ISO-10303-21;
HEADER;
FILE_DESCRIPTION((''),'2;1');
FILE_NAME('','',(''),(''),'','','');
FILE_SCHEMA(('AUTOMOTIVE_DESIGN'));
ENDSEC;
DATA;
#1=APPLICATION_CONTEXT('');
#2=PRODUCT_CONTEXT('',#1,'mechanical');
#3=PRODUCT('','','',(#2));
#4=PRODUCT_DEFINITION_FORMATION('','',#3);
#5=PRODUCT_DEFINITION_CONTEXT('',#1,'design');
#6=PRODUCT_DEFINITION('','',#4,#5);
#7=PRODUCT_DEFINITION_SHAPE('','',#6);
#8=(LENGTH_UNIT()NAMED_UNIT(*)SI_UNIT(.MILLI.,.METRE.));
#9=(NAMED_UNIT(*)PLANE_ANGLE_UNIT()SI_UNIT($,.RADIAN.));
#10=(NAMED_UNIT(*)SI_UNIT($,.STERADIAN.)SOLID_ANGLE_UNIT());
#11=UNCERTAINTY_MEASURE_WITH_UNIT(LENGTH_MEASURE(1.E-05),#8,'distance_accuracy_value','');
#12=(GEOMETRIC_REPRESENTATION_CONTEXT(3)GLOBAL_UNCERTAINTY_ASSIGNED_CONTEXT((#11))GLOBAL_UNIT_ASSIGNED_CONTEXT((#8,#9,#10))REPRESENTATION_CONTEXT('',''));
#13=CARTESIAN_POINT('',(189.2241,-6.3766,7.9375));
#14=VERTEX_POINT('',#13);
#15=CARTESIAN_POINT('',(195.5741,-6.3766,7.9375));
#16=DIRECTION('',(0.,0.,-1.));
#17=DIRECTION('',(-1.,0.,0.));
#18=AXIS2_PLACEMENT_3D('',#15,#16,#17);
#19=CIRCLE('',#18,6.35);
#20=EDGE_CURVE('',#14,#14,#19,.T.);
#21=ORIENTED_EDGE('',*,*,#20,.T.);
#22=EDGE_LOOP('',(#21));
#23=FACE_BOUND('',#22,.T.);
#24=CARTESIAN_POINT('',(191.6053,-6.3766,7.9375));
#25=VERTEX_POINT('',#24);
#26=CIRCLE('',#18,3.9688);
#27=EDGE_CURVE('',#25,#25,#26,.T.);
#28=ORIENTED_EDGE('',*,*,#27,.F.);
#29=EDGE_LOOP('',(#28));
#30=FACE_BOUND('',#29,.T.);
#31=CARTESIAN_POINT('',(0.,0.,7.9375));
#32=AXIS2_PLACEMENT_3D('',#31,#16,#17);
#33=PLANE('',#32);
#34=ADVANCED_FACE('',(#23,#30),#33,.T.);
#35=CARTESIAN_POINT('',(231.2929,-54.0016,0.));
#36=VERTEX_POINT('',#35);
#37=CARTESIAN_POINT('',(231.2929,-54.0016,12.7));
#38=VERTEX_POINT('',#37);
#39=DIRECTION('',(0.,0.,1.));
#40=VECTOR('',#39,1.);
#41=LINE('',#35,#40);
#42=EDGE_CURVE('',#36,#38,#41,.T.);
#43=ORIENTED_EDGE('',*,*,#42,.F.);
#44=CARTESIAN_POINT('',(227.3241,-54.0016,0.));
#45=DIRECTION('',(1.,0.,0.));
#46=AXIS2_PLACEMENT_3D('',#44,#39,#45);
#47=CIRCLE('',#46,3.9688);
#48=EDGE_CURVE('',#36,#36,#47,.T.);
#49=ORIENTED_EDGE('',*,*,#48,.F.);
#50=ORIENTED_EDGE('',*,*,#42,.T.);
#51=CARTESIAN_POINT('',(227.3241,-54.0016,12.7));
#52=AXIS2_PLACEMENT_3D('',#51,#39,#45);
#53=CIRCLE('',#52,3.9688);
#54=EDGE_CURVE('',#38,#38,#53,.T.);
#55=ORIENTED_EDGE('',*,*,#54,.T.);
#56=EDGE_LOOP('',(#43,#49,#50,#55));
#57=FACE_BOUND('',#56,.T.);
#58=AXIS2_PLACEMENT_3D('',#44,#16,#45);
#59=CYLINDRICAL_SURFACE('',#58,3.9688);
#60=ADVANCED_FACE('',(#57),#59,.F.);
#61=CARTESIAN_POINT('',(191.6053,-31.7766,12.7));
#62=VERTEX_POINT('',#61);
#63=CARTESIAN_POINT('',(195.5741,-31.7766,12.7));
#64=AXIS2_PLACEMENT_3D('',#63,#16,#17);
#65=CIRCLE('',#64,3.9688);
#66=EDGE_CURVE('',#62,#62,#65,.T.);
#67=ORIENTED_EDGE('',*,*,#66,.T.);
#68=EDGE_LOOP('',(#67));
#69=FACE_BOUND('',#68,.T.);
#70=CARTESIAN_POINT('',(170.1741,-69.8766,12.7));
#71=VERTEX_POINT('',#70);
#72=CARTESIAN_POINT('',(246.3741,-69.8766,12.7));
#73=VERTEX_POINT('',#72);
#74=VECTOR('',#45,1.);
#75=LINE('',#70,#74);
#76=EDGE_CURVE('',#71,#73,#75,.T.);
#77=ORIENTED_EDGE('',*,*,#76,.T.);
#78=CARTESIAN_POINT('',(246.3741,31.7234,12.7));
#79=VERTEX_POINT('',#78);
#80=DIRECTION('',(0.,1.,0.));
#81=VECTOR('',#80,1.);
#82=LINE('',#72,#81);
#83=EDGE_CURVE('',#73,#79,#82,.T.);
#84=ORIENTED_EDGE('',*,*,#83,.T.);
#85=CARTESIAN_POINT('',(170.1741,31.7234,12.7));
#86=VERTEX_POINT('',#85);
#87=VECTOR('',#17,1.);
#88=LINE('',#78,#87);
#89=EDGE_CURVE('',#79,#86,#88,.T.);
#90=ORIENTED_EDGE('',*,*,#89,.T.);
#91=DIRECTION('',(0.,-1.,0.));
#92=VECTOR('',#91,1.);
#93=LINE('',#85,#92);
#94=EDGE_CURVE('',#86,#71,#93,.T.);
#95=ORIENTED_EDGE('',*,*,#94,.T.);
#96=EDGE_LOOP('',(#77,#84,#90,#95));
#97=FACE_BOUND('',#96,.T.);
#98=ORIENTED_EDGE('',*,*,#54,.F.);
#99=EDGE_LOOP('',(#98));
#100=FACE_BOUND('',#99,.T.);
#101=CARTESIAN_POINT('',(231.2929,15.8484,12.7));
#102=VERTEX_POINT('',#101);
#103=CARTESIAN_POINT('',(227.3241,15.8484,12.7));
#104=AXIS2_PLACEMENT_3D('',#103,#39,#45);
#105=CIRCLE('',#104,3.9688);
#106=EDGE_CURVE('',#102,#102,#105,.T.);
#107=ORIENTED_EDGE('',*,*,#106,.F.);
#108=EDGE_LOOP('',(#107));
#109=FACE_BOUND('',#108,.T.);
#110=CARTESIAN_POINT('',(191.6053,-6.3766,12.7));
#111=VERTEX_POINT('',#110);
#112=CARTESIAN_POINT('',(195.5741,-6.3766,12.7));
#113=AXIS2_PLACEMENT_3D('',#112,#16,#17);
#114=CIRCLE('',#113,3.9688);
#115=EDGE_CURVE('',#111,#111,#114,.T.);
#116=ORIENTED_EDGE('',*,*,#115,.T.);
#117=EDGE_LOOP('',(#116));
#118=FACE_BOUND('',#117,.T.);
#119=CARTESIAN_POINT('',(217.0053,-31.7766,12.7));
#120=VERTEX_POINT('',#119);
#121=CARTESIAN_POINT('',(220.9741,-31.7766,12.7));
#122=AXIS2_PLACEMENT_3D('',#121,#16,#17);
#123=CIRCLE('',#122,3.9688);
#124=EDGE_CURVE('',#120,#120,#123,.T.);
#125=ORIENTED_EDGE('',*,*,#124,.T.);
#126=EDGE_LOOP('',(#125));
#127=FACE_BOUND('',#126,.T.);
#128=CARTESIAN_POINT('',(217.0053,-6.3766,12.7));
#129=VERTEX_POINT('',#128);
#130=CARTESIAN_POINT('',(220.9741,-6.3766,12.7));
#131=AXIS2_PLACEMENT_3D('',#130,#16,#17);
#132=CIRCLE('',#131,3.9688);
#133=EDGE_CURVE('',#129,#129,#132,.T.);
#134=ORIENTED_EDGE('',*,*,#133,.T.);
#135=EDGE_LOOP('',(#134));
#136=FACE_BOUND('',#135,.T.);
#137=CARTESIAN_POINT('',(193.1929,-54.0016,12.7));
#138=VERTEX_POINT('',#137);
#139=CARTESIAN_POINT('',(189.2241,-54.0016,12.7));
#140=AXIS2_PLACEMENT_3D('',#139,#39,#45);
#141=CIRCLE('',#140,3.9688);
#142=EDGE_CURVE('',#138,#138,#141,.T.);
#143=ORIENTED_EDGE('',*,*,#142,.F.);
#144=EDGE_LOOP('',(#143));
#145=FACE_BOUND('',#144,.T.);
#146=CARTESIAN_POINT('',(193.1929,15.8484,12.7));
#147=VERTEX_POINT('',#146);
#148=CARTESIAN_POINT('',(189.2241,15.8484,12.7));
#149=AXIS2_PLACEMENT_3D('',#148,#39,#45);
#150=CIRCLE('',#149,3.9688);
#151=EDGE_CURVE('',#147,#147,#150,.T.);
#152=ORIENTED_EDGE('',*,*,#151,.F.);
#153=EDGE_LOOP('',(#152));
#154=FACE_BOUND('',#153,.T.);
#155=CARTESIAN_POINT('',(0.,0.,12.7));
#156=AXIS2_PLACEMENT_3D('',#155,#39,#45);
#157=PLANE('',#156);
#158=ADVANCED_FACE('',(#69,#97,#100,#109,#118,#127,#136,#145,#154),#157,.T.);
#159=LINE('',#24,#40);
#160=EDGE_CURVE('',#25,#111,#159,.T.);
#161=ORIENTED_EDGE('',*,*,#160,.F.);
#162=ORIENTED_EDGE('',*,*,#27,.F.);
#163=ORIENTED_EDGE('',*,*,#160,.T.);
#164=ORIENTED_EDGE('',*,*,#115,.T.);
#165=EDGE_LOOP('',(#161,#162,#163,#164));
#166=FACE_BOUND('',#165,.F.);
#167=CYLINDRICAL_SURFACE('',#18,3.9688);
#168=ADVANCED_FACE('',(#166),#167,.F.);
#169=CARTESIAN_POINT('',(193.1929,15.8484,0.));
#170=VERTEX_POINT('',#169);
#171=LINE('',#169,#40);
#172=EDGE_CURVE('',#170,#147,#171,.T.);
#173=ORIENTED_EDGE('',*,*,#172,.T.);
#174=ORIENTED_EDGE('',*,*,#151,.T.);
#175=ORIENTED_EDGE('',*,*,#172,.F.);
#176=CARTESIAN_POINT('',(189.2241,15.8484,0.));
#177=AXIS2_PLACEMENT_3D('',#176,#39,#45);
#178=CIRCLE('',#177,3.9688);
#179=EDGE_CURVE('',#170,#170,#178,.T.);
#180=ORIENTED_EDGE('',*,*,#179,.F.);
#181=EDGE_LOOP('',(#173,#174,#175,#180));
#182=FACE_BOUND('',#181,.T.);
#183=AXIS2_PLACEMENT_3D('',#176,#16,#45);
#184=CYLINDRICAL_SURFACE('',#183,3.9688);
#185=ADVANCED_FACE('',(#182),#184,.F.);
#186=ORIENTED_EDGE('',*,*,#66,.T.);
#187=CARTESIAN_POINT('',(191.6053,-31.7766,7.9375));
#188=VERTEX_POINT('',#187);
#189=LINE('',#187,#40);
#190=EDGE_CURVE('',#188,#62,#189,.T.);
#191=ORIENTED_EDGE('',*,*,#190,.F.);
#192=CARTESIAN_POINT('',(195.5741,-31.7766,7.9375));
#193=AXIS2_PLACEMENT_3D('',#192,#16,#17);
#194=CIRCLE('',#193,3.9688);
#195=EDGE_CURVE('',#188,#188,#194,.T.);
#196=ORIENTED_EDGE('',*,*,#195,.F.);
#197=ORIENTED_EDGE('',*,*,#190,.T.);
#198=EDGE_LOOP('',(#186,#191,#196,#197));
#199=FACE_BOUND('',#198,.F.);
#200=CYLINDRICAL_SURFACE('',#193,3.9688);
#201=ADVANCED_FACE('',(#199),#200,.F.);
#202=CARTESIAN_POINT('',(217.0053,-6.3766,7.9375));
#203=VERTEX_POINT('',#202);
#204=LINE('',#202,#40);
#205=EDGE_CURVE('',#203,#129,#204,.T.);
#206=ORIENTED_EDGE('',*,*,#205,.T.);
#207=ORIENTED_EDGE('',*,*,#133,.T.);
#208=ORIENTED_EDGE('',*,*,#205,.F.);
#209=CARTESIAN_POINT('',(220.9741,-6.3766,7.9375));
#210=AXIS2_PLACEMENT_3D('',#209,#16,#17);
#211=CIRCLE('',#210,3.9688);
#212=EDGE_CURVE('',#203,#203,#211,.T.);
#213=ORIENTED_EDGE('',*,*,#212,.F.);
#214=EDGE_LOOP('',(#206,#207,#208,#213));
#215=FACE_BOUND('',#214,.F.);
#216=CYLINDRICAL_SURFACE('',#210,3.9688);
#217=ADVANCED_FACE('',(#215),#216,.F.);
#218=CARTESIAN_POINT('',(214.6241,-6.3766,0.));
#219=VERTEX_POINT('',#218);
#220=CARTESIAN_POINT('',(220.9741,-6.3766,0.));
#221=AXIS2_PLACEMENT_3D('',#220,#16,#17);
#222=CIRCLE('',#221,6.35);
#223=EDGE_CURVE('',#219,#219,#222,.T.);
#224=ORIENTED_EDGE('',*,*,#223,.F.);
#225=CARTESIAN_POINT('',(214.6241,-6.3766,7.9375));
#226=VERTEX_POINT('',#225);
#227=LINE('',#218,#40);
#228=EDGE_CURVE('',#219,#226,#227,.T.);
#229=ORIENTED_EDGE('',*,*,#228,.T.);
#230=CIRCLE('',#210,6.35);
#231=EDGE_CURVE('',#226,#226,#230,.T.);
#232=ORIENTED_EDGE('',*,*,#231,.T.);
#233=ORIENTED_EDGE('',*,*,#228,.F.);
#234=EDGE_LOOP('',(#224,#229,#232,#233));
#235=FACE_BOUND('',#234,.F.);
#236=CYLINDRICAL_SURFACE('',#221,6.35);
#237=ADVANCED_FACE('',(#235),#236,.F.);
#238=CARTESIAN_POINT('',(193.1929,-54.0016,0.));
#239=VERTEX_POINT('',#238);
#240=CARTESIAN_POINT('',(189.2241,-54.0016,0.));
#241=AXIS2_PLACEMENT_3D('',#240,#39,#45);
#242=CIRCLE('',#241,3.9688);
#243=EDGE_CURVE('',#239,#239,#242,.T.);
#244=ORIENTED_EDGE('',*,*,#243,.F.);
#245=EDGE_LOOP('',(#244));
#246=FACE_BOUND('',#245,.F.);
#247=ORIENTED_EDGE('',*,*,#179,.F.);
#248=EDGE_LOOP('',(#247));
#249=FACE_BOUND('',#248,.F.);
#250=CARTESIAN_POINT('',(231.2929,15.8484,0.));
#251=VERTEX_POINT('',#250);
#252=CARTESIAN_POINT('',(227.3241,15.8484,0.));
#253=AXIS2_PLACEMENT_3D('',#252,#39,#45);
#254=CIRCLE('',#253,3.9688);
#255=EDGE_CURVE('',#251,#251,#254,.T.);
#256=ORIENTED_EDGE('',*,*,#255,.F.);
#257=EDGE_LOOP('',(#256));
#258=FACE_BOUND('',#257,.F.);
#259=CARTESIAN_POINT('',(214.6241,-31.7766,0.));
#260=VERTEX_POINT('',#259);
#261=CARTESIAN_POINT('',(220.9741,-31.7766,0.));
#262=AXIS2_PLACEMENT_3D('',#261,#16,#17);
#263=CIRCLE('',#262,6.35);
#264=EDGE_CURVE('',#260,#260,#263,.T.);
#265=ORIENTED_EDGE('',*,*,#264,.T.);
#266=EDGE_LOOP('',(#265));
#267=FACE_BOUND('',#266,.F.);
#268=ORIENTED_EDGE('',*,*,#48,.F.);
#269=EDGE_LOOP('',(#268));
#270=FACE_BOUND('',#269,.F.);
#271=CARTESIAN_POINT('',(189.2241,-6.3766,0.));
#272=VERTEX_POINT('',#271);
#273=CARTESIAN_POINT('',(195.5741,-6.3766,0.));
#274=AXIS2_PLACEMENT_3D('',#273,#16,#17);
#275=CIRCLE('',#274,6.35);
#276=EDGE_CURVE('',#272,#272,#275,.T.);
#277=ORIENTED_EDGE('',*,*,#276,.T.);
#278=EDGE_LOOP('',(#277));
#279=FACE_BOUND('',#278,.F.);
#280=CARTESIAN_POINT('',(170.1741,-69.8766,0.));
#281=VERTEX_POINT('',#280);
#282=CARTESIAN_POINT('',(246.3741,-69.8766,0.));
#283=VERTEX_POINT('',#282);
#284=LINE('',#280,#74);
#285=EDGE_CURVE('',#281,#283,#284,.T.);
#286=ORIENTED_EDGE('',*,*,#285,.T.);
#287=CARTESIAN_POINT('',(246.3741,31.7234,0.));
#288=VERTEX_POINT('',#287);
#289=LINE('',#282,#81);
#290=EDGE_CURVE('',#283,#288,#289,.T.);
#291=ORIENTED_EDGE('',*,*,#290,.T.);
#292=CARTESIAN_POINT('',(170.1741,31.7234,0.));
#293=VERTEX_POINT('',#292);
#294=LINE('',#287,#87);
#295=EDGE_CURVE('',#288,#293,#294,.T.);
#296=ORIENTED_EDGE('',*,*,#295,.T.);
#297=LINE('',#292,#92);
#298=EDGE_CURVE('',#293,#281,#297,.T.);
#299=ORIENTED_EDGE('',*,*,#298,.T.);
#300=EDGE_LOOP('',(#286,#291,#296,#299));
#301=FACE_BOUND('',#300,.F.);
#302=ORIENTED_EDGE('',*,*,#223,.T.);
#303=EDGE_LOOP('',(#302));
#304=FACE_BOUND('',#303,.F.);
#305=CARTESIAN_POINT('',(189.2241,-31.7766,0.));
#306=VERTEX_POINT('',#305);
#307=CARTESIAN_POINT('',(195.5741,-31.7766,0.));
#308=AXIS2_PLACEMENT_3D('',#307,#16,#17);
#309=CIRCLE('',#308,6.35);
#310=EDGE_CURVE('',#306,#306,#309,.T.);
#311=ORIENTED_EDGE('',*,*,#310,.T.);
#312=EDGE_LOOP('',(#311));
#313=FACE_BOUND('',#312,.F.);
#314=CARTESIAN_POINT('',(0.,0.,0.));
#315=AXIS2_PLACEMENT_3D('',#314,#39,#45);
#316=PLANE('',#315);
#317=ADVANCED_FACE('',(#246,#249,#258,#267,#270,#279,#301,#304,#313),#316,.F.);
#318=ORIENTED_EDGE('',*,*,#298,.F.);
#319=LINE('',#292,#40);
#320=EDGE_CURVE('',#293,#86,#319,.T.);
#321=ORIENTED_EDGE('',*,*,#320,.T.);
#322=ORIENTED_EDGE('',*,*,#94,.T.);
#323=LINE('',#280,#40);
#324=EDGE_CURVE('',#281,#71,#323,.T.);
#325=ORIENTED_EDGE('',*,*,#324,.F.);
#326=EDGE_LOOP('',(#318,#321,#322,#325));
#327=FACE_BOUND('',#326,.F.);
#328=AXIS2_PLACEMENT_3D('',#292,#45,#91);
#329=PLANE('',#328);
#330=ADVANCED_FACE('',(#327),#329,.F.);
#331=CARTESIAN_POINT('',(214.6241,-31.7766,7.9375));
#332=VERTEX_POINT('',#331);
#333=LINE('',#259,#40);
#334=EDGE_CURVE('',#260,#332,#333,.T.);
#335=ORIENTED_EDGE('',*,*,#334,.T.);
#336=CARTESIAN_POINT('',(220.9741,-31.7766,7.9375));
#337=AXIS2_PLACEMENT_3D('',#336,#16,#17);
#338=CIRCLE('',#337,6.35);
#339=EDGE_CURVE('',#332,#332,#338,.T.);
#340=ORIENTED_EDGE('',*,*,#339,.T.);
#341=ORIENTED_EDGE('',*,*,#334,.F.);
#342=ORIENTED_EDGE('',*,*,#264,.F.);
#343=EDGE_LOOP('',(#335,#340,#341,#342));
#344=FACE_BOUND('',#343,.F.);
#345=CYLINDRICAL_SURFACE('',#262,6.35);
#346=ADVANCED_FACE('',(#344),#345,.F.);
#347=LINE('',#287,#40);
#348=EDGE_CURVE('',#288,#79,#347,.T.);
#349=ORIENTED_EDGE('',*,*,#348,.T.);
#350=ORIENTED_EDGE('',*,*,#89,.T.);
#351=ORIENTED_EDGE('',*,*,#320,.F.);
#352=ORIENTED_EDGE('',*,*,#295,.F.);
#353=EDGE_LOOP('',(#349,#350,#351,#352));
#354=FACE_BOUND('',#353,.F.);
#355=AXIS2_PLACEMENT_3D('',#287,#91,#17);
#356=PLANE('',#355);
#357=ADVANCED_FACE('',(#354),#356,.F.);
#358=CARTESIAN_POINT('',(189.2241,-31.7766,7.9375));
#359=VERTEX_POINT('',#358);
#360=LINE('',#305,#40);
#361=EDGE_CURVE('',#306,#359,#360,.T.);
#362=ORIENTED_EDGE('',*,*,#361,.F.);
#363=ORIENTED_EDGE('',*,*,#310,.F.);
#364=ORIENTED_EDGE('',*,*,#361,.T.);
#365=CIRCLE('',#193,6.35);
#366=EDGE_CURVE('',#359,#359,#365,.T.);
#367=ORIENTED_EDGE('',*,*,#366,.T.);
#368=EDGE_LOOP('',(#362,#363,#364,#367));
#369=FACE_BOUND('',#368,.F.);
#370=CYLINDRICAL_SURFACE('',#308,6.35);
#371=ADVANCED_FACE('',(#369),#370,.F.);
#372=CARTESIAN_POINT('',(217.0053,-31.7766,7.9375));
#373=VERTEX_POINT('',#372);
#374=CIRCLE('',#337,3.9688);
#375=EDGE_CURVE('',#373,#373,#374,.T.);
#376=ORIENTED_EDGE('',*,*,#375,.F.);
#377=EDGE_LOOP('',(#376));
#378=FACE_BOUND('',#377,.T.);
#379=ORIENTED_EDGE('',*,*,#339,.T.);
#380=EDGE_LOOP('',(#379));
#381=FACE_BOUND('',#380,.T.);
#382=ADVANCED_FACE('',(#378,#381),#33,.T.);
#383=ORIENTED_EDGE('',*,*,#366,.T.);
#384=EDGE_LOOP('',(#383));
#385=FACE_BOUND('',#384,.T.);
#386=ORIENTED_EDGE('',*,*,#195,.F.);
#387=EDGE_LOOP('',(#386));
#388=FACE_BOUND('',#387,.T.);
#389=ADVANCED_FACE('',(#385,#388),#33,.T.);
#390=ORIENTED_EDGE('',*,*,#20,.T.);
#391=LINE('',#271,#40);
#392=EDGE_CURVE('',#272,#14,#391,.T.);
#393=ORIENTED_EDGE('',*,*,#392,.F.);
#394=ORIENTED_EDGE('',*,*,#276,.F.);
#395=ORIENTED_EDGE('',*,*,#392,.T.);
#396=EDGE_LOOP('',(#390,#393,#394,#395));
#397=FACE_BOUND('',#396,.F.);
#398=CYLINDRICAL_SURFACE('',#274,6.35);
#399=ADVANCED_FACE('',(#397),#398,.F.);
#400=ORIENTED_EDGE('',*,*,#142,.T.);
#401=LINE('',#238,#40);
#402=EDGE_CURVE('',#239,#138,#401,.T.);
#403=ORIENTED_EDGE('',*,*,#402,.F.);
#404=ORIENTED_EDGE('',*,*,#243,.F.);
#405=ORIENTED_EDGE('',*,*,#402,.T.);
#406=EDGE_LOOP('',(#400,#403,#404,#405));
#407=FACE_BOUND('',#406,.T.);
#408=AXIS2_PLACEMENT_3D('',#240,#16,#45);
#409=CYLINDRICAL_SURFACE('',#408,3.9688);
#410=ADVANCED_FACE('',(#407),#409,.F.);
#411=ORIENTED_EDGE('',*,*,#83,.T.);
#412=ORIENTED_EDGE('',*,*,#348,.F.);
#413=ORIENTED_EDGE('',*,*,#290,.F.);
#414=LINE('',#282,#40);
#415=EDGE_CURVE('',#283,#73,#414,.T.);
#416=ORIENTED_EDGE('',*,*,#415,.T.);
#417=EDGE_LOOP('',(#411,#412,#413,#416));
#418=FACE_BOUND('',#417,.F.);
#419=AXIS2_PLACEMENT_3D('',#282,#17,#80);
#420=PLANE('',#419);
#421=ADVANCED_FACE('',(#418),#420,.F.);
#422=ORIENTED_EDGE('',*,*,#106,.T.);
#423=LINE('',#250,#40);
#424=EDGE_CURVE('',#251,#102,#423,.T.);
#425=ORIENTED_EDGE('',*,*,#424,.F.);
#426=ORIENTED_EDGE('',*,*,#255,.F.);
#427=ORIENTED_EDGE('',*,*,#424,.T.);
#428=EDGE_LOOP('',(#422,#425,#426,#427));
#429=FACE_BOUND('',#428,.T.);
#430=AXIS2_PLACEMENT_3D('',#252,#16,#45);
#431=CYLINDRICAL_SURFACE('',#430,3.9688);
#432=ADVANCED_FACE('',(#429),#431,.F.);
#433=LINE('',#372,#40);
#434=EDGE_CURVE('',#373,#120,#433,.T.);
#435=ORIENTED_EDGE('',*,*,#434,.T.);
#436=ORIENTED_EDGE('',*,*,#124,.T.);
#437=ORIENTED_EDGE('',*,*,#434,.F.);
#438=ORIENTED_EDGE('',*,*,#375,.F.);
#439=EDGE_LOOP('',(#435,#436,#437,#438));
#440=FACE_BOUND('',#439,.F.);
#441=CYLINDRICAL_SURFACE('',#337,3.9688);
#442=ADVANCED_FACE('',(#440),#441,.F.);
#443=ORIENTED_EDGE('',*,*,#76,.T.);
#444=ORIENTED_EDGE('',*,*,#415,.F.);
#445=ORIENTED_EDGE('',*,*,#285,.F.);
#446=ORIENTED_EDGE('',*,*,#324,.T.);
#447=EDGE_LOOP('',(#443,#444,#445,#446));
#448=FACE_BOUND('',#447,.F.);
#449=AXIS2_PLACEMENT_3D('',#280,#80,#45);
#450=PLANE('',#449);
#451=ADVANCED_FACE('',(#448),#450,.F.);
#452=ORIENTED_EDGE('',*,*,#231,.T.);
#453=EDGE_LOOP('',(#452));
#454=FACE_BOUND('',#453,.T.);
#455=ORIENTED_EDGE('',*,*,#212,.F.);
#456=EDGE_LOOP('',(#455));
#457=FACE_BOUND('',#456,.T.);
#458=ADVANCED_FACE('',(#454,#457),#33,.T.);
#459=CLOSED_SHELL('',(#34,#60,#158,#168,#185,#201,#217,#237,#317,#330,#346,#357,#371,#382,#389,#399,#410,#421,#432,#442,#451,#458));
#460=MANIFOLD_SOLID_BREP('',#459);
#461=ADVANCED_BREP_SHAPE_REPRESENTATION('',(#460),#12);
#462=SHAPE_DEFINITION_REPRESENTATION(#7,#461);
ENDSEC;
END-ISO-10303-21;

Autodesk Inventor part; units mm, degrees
ref_plane "YZ Plane" through (0, 0, 0) normal (1, 0, 0) x (0, 1, 0)
ref_plane "XZ Plane" through (0, 0, 0) normal (0, 1, 0) x (-1, 0, 0)
ref_plane "XY Plane" through (0, 0, 0) normal (0, 0, 1) x (1, 0, 0)
sketch "Sketch1" plane through (0, 0, 0) normal (0, 0, 1) x (1, 0, 0)
  line L0 (246.3741, 31.7234) -> (246.3741, -882.6766) construction
  line L1 (234.1821, 31.7234) -> (231.3881, 31.7234) construction
  line L2 (223.2601, 31.7234) -> (220.4661, 31.7234) construction
  line L3 (199.5111, 31.7234) -> (196.0821, 31.7234) construction
  line L4 (182.3661, 31.7234) -> (178.9371, 31.7234) construction
  line L5 (246.3741, 31.7234) -> (170.1741, 31.7234)
  line L6 (170.1741, 31.7234) -> (170.1741, -69.8766)
  line L7 (170.1741, -69.8766) -> (246.3741, -69.8766)
  line L8 (246.3741, -69.8766) -> (246.3741, 31.7234)
  circle A0 centre (227.3241, 15.8484) radius 3.9688
  line L9 (208.2741, -69.8766) -> (208.2741, 31.7234) construction
  line L10 (246.3741, -19.0766) -> (170.1741, -19.0766) construction
  circle A1 centre (227.3241, -54.0016) radius 3.9688
  circle A2 centre (189.2241, 15.8484) radius 3.9688
  circle A3 centre (189.2241, -54.0016) radius 3.9688
  point P0 (0, 0)
  dimension "d0" = 76.2
  dimension "d1" = 101.6
  dimension "d2" = 7.9375
  dimension "d3" = 15.875
  dimension "d4" = 19.05
extrude "Extrusion1" add sketch "Sketch1" along normal blind 12.7
sketch "Sketch3" plane through (0, 0, 0) normal (0, 0, -1) x (-1, 0, 0)
  line L0 (-186.0491, -41.3016) -> (-230.4991, -41.3016)
  line L1 (-230.4991, -41.3016) -> (-230.4991, 3.1484)
  line L2 (-230.4991, 3.1484) -> (-186.0491, 3.1484)
  line L3 (-186.0491, 3.1484) -> (-186.0491, -41.3016)
  line L4 (-170.1741, -69.8766) -> (-246.3741, -69.8766) projected
  line L5 (-170.1741, 31.7234) -> (-170.1741, -69.8766) projected
  line L6 (-246.3741, 31.7234) -> (-170.1741, 31.7234) projected
  circle A0 centre (-195.5741, -6.3766) radius 6.35
  circle A1 centre (-195.5741, -31.7766) radius 6.35
  circle A2 centre (-220.9741, -6.3766) radius 6.35
  circle A3 centre (-220.9741, -31.7766) radius 6.35
  point P0 (0, 0)
  dimension "d16" = 44.45
  dimension "d17" = 44.45
  dimension "d18" = 28.575
  dimension "d19" = 15.875
  dimension "d23" = 12.7
  dimension "d24" = 9.525
  dimension "d25" = 9.525
  dimension "d28" = 25.4
  dimension "d31" = 25.4
extrude "Extrusion3" cut sketch "Sketch3" against normal blind 7.9375 contours A0 | A1 | A2 | A3
sketch "Sketch4" plane through (195.5741, -6.3766, 7.9375) normal (0, 0, -1) x (-1, 0, 0)
  circle A0 centre (0, 0) radius 6.35 projected
  circle A1 centre (0, -25.4) radius 6.35 projected
  circle A2 centre (-25.4, 0) radius 6.35 projected
  circle A3 centre (-25.4, -25.4) radius 6.35 projected
  circle A4 centre (0, 0) radius 3.9688
  line L0 (0, 0) -> (0, -11.1628) construction
  line L1 (0, 0) -> (-15.7699, 0) construction
  circle A5 centre (0, -25.4) radius 3.9688
  circle A6 centre (-25.4, 0) radius 3.9688
  circle A7 centre (-25.4, -25.4) radius 3.9688
  point P0 (195.5741, 6.3766)
  dimension "d36" = 7.9375
  dimension "d37" = 7.9375
  dimension "d38" = 7.9375
  dimension "d39" = 7.9375
extrude "Extrusion4" cut sketch "Sketch4" against normal blind 7.9375 contours A4 | A5 | A6 | A7
properties part number "Corner Stands"
